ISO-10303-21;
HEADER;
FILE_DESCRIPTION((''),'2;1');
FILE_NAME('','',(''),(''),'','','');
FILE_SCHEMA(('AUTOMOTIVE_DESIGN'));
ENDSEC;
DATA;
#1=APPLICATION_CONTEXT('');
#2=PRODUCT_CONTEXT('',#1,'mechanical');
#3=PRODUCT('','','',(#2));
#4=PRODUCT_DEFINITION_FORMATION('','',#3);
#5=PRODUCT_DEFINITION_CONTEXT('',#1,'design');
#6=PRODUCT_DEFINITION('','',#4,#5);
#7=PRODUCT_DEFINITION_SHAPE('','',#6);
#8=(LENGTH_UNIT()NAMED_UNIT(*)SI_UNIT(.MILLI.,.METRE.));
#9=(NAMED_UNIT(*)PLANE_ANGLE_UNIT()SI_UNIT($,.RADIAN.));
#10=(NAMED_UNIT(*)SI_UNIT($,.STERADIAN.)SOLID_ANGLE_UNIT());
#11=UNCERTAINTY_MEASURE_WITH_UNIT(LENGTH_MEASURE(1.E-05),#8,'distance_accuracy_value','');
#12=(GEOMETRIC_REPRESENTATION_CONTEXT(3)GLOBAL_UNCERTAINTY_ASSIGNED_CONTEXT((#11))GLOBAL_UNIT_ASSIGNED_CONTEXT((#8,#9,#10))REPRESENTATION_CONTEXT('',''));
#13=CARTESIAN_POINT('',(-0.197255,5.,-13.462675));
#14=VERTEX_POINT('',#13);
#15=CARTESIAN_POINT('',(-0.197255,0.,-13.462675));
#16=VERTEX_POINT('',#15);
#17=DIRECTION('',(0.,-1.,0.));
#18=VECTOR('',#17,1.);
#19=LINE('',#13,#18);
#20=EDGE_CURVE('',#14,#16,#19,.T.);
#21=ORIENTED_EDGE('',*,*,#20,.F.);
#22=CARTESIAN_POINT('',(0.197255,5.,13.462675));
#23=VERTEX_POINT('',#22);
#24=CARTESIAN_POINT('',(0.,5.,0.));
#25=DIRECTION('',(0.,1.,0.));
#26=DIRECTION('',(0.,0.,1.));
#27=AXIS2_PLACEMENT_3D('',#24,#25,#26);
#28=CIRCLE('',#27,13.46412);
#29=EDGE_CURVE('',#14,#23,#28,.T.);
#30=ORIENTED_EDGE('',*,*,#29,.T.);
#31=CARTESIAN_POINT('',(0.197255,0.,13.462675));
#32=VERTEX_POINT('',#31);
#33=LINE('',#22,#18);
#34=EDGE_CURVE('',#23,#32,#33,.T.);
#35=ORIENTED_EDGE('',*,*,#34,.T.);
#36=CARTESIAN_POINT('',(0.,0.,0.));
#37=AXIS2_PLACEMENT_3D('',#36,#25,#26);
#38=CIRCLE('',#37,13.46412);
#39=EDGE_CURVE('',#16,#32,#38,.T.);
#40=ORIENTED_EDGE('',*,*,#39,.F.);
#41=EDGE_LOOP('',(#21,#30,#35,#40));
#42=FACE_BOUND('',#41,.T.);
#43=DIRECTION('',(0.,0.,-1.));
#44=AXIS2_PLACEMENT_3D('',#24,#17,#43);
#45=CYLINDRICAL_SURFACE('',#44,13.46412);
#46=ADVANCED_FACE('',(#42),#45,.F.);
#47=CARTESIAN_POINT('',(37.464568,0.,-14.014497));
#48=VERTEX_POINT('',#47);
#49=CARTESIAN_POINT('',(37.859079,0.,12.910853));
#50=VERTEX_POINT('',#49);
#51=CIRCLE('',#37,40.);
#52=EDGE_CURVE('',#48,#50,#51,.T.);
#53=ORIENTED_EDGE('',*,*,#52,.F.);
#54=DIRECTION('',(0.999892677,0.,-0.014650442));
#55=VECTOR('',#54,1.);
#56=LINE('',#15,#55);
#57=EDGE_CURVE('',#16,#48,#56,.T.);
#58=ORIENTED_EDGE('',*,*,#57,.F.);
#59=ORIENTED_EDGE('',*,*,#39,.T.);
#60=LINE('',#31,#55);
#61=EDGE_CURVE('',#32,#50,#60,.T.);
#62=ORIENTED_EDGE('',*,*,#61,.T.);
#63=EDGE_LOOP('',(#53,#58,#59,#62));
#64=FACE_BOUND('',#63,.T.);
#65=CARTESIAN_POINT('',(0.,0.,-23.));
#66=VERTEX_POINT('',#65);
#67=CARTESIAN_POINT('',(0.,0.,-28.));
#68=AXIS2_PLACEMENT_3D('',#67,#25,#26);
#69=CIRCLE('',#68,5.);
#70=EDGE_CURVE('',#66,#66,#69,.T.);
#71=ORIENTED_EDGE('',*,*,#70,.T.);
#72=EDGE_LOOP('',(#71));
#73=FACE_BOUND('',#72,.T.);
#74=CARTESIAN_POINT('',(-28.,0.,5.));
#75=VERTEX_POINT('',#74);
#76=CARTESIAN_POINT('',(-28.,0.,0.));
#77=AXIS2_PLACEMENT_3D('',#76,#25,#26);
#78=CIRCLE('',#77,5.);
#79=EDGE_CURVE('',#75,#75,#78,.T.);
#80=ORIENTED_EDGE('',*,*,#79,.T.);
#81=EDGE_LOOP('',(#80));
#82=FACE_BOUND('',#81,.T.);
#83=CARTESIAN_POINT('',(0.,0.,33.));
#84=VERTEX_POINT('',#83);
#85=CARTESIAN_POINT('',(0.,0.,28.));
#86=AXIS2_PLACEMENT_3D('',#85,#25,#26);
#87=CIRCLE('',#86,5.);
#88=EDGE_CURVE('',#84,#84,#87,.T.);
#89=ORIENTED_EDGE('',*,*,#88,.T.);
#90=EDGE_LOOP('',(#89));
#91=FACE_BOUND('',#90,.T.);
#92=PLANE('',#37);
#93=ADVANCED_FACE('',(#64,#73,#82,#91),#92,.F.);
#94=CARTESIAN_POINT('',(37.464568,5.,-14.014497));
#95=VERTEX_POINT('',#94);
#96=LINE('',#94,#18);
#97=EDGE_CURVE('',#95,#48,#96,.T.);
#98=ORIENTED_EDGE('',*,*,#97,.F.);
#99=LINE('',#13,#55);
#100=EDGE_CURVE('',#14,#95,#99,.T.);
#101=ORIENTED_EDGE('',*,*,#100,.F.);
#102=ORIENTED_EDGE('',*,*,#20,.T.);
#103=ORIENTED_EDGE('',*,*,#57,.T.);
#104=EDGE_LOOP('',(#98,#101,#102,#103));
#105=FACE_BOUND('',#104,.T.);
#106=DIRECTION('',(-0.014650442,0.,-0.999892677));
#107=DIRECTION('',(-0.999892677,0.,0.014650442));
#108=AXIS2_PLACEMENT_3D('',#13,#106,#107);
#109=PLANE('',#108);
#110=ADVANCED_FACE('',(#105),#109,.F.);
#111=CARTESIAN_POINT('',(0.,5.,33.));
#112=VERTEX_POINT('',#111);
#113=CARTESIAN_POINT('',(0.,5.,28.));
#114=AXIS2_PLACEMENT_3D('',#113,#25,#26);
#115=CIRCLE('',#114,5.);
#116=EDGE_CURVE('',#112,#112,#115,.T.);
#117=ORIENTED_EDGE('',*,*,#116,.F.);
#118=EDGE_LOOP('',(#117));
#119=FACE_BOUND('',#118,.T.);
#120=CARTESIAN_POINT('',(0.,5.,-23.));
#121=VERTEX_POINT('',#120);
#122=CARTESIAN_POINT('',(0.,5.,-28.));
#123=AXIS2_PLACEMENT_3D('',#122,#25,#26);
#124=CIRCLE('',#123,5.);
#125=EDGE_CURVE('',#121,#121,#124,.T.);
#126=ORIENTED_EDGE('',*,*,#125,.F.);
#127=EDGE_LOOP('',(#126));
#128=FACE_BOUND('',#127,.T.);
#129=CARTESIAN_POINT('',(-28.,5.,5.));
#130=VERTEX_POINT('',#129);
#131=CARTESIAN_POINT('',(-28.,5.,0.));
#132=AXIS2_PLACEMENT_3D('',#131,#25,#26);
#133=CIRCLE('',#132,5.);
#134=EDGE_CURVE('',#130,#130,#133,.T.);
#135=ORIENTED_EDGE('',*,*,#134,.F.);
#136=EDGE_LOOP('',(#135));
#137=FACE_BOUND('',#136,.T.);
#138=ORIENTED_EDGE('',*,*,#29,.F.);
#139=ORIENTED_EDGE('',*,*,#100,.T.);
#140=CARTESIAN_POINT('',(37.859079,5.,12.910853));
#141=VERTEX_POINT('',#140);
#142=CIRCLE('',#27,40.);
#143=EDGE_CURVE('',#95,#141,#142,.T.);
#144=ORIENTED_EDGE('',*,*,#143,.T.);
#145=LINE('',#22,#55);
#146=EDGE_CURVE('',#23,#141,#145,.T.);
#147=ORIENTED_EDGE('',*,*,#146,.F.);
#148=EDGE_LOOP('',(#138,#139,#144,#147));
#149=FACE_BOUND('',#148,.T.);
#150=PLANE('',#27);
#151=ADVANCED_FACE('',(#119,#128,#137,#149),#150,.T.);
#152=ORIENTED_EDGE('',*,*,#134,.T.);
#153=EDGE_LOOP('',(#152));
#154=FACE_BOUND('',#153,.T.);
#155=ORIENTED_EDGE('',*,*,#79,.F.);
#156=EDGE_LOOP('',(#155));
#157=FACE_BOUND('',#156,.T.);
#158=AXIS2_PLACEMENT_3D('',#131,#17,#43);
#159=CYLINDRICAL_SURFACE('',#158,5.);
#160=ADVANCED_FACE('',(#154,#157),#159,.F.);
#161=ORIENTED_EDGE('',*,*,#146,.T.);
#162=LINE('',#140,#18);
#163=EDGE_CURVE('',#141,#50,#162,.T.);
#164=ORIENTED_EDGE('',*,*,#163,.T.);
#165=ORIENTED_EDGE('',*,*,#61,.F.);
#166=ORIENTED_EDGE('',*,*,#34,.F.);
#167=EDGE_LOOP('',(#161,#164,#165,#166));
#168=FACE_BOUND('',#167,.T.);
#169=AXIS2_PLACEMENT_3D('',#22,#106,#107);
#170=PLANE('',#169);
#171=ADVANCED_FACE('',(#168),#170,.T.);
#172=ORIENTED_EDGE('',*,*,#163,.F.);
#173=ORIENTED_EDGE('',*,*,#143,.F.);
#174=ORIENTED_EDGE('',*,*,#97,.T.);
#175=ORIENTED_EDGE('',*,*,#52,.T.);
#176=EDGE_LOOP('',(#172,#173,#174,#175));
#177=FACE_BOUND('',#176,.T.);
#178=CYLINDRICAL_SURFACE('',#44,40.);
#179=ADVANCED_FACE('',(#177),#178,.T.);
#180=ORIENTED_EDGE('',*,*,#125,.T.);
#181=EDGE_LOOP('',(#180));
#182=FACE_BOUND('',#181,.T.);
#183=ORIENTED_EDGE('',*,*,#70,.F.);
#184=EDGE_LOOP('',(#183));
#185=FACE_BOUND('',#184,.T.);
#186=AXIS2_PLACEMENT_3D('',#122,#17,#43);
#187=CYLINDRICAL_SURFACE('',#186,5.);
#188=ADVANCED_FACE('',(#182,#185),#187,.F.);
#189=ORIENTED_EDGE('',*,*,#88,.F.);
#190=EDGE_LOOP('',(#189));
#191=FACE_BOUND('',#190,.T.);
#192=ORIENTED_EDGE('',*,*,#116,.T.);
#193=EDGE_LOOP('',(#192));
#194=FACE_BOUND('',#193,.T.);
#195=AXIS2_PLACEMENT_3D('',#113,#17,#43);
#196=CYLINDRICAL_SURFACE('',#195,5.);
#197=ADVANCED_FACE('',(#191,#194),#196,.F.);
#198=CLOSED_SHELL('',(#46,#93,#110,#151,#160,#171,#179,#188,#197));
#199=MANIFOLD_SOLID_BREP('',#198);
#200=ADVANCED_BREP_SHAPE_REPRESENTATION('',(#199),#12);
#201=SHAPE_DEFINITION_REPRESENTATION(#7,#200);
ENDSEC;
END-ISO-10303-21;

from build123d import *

# Parameters (mm, degrees)
SKETCH1_R           = 5
BOSS_EXTRUDE1_DEPTH = 5


with BuildPart() as part:
    # Sketch1 → Boss-Extrude1 (new body)
    with BuildSketch(Plane(origin=(0, 0, 0), x_dir=(1, 0, 0), z_dir=(0, 1, 0))):
        with BuildLine():
            Line((-0.197255311, 13.462674969), (37.46456841, 14.014496562))
            ThreePointArc((37.46456841, 14.014496562), (-39.995707061, -0.586017686), (37.859079031, -12.910853376))
            Line((37.859079031, -12.910853376), (0.197255311, -13.462674969))
            ThreePointArc((0.197255311, -13.462674969), (-13.462674969, -0.197255311), (-0.197255311, 13.462674969))
        make_face()
        with Locations((0, 28)):
            Circle(SKETCH1_R, mode=Mode.SUBTRACT)
        with Locations((-28, 0)):
            Circle(SKETCH1_R, mode=Mode.SUBTRACT)
        with Locations((0, -28)):
            Circle(SKETCH1_R, mode=Mode.SUBTRACT)
    extrude(amount=BOSS_EXTRUDE1_DEPTH)


solid = part.part
